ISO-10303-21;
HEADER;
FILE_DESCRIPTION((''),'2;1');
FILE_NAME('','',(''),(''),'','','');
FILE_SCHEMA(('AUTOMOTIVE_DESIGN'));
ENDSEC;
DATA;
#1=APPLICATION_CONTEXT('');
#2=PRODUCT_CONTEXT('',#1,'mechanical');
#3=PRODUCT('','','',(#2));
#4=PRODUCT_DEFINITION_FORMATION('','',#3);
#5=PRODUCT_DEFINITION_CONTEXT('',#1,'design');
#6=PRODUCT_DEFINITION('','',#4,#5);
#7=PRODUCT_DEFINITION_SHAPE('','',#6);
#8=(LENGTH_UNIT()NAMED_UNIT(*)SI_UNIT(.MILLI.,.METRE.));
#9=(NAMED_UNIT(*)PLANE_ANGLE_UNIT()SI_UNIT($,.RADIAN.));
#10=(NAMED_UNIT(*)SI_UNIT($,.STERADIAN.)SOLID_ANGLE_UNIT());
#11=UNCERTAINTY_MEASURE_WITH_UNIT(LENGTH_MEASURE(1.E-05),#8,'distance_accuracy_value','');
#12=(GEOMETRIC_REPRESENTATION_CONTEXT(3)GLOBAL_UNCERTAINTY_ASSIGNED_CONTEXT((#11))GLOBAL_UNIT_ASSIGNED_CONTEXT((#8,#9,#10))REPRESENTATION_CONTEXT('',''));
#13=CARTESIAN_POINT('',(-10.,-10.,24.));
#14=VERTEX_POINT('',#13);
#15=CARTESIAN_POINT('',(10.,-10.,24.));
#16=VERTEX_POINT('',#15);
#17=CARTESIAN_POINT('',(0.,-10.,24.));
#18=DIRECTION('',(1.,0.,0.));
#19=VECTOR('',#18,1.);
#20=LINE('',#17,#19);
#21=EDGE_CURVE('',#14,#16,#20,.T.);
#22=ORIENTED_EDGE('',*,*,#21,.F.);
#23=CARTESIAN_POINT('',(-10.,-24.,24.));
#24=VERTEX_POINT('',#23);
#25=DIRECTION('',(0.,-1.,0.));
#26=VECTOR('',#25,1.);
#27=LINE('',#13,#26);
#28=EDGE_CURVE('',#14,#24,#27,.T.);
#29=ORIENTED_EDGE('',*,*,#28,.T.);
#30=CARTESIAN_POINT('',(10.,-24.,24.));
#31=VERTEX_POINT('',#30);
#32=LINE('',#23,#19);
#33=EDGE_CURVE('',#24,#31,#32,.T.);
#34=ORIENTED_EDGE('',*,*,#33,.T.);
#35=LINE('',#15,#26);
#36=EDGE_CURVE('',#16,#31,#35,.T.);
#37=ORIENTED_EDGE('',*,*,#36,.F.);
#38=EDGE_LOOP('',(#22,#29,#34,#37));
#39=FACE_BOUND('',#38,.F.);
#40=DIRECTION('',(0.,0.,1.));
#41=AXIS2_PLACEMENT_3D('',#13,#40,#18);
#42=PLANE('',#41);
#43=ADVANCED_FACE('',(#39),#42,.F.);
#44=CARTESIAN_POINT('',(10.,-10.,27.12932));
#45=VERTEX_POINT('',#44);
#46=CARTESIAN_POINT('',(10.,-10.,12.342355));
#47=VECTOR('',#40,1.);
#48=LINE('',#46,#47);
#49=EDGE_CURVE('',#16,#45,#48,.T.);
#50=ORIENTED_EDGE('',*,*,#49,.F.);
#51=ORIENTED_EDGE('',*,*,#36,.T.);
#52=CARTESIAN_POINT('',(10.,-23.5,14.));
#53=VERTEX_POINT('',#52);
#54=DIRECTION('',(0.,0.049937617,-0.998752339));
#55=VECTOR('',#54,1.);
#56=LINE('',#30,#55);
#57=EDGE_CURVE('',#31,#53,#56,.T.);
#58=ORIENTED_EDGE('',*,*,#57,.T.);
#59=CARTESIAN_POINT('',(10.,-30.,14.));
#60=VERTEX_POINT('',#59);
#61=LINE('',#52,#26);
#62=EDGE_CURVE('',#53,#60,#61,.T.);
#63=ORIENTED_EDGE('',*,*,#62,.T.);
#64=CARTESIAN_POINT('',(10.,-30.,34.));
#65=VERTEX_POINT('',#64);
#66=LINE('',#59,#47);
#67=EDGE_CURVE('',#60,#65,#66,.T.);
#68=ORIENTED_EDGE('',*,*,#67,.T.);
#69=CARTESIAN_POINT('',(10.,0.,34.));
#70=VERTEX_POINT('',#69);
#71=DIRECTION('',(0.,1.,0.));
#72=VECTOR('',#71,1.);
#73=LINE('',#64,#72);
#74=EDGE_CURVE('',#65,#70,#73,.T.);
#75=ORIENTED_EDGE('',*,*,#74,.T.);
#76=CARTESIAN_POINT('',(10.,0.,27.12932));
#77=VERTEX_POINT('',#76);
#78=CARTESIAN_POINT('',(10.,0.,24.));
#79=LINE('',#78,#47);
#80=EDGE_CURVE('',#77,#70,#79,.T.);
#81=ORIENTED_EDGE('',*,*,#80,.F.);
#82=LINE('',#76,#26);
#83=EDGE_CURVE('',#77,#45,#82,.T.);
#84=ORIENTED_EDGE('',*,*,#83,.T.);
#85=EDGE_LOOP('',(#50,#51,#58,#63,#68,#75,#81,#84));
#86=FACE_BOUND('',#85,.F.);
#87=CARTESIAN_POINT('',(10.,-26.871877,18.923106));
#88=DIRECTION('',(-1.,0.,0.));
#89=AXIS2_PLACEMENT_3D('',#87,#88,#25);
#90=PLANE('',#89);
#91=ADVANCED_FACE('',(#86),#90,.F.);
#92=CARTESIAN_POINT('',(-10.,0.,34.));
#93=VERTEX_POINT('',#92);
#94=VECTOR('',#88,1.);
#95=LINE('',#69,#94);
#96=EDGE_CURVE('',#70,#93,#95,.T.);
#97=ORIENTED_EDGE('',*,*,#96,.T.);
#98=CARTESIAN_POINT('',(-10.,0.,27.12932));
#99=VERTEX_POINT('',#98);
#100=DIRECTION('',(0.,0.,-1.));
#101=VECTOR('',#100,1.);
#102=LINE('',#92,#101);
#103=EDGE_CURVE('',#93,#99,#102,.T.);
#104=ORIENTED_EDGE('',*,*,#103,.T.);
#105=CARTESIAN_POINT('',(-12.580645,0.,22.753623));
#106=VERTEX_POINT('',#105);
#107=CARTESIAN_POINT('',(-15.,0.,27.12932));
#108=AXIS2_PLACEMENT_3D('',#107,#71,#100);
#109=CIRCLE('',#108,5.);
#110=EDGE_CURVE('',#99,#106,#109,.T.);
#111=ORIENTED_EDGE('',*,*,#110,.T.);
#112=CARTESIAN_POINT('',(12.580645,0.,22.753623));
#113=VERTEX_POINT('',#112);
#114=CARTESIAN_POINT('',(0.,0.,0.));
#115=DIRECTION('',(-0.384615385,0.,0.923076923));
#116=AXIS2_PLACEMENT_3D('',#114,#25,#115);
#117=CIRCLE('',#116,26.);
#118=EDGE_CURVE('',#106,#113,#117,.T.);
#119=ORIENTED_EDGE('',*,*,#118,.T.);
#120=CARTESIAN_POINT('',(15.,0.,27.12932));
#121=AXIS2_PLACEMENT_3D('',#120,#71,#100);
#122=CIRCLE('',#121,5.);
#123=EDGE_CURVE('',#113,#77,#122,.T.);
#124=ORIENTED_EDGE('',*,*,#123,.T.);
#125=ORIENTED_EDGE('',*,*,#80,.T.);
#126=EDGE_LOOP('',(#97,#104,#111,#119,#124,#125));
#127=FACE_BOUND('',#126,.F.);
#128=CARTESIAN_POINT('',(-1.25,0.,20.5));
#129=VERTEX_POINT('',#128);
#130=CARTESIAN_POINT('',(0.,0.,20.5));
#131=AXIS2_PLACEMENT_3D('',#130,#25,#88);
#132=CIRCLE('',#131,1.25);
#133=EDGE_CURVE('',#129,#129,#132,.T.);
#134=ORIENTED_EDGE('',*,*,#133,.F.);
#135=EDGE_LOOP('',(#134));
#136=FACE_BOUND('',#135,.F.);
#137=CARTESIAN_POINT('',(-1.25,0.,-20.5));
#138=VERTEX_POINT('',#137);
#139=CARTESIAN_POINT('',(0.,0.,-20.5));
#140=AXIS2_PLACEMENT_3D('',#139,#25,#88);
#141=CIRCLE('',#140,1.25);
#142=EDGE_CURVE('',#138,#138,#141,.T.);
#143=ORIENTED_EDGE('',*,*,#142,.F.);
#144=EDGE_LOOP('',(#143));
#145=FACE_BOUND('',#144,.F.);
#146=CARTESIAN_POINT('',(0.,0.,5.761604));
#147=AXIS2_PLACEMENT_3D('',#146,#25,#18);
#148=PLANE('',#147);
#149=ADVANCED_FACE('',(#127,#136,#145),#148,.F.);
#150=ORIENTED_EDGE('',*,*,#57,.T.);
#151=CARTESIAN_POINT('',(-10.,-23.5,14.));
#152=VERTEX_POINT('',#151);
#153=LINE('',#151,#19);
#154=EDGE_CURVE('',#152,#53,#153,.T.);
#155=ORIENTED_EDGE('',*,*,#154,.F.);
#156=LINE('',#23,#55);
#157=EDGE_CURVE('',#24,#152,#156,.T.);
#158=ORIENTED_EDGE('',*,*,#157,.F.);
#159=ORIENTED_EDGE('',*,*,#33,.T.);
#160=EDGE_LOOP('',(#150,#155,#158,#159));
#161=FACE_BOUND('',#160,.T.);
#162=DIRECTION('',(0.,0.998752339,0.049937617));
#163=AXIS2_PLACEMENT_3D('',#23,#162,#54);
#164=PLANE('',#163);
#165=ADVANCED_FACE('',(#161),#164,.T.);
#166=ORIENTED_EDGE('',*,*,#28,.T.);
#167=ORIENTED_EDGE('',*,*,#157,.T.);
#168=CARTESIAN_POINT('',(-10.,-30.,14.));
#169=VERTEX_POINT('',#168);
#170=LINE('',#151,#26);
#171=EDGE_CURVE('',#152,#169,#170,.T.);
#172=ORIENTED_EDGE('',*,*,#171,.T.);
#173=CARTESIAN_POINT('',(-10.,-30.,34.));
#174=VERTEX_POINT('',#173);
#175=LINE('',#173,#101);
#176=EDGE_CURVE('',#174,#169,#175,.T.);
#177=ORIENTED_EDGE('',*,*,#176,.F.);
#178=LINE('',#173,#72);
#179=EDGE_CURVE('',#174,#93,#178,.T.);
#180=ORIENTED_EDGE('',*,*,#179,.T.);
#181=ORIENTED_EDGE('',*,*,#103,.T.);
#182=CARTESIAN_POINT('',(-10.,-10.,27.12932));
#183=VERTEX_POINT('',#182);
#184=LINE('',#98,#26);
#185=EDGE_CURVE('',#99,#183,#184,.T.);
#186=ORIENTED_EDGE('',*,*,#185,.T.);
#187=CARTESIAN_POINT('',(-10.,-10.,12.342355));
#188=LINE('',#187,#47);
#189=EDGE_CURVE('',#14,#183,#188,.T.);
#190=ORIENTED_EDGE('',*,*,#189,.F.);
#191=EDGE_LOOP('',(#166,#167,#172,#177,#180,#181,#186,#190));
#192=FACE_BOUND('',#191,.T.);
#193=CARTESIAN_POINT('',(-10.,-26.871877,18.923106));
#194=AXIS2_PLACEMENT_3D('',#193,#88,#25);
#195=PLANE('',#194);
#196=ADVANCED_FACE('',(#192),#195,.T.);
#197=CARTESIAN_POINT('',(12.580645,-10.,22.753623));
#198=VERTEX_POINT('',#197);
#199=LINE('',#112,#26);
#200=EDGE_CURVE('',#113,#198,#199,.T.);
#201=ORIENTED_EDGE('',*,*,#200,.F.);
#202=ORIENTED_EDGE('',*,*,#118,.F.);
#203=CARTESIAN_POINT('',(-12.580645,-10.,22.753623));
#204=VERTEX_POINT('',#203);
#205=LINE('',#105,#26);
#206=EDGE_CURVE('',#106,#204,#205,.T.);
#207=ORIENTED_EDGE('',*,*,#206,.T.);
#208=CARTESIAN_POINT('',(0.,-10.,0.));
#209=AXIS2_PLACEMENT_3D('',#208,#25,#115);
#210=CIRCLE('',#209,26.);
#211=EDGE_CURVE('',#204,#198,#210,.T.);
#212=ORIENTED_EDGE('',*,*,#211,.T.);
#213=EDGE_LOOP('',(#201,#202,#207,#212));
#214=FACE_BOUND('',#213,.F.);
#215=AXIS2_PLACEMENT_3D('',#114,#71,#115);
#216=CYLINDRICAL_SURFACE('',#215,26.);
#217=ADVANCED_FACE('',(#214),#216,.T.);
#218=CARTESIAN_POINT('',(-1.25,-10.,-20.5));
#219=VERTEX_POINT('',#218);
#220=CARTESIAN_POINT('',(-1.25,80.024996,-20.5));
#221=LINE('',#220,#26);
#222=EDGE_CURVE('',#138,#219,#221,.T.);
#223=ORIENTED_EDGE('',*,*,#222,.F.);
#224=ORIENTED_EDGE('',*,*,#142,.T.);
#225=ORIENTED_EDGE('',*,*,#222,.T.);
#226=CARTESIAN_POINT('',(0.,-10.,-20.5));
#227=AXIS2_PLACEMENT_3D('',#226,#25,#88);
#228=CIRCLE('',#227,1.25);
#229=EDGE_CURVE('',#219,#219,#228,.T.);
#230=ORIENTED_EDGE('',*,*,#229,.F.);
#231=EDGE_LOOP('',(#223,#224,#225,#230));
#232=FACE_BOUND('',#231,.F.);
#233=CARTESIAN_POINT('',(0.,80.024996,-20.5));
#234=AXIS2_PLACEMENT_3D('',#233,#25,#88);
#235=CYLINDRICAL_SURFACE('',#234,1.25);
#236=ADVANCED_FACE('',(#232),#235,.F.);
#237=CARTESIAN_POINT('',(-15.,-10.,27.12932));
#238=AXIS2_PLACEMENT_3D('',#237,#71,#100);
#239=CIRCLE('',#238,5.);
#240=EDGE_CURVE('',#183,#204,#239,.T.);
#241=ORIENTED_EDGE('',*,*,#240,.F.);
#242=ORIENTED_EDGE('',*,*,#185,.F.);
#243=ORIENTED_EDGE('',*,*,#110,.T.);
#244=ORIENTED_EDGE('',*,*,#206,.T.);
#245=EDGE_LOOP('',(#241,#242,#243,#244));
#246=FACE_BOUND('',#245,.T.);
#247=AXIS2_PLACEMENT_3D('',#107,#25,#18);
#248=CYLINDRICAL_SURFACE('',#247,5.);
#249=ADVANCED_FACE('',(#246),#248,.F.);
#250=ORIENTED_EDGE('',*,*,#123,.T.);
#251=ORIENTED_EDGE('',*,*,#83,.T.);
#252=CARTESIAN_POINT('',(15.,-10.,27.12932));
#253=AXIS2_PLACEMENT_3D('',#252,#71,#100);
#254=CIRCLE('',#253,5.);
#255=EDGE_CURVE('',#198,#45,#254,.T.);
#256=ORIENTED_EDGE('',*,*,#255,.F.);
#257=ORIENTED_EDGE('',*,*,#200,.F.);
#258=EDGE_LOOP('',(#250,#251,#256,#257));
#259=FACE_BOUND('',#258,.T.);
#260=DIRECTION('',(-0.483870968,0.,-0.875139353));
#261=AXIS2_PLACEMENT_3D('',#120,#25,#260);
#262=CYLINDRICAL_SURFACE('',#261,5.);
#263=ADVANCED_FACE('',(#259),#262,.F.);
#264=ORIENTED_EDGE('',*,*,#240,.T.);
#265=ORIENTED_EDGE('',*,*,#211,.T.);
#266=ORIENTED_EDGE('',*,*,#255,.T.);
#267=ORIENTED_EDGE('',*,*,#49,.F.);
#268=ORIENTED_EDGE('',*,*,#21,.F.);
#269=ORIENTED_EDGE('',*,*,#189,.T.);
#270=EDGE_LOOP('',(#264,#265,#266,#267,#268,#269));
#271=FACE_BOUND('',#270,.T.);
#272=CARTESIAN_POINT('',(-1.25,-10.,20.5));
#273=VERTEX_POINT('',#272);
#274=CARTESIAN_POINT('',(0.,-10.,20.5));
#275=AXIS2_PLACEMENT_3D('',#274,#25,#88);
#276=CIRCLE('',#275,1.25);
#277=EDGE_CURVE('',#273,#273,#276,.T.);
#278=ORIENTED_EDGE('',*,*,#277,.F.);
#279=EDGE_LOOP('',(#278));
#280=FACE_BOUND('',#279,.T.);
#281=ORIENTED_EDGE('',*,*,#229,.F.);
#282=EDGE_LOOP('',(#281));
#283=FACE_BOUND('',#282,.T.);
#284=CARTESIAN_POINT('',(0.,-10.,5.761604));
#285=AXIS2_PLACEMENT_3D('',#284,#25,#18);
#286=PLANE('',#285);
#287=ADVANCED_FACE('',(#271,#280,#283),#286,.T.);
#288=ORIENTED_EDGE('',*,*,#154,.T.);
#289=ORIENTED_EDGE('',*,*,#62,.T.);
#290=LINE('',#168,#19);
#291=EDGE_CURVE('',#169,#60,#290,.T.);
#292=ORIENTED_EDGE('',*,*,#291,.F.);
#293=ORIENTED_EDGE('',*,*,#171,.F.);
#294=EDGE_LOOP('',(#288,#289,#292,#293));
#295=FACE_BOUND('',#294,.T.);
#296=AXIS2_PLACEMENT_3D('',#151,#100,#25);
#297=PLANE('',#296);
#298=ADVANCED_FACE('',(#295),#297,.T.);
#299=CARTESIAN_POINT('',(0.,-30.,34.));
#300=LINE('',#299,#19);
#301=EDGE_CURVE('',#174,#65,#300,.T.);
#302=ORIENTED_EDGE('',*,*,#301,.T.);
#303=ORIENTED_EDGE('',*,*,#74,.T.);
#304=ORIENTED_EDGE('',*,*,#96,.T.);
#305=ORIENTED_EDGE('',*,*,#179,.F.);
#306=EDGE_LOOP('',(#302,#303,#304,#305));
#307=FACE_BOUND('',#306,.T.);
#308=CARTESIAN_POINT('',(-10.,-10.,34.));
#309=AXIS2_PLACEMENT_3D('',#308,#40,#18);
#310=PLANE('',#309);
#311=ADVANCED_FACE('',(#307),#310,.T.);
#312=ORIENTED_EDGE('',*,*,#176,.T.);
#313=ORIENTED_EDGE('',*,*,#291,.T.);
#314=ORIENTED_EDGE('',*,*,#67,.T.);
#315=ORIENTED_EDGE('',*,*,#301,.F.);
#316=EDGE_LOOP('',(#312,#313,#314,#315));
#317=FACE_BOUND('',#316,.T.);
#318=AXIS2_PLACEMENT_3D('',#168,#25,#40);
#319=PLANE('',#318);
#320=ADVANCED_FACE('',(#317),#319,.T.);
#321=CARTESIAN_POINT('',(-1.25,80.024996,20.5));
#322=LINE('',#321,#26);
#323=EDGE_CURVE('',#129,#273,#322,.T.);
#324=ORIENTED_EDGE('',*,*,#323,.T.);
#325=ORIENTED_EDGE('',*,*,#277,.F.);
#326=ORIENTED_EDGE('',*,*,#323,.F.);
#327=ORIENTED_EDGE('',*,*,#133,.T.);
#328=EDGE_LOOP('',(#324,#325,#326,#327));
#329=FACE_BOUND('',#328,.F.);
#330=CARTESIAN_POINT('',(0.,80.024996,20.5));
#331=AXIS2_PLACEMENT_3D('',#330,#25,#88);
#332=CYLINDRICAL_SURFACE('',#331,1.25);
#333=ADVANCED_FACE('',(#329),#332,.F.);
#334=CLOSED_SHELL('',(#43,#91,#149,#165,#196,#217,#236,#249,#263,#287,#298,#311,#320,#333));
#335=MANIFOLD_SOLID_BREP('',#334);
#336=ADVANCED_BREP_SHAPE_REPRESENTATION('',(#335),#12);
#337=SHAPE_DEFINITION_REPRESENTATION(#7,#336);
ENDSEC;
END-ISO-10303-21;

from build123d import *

# Parameters (mm, degrees)
F1_DEPTH = 10
F2_D     = 2.5
F3_W     = 20
F3_H     = 10
F4_DEPTH = 20
F6_DEPTH = 20
F7_R     = 5


with BuildPart() as f1:
    # F0 (on Front) → F1 (new body)
    with BuildSketch(Plane.XZ):
        with BuildLine():
            Line((-10, 34), (-10, 24))
            ThreePointArc((-10, 24), (0, -26), (10, 24))
            Line((10, 24), (10, 34))
            Line((10, 34), (-10, 34))
        make_face()
    extrude(amount=F1_DEPTH)

    # F2 (through all)
    with Locations(Plane(origin=(0, 0, 0), x_dir=(1, 0, 0), z_dir=(0, 1, 0))):
        with Locations((0, -20.5), (0, 20.5)):
            Hole(F2_D / 2)

    # F3 (on face) → F4 (join)
    with BuildSketch(Plane.XZ.offset(10)):
        with Locations((0, 29)):
            Rectangle(F3_W, F3_H)
    extrude(amount=F4_DEPTH)

    # F5 (on face) → F6 (join, through all)
    with BuildSketch(Plane(origin=(-10, 0, 0), x_dir=(0, -1, 0), z_dir=(-1, 0, 0))):
        Polygon((30, 14), (30, 24), (24, 24), (23.5, 14), align=None)
    extrude(amount=-F6_DEPTH)

    # F7
    f7_edges = [f1.edges().sort_by_distance(p)[0] for p in [
        (10, -5, 24),
        (-10, -5, 24),
    ]]
    fillet(f7_edges, radius=F7_R)


solid = f1.part
